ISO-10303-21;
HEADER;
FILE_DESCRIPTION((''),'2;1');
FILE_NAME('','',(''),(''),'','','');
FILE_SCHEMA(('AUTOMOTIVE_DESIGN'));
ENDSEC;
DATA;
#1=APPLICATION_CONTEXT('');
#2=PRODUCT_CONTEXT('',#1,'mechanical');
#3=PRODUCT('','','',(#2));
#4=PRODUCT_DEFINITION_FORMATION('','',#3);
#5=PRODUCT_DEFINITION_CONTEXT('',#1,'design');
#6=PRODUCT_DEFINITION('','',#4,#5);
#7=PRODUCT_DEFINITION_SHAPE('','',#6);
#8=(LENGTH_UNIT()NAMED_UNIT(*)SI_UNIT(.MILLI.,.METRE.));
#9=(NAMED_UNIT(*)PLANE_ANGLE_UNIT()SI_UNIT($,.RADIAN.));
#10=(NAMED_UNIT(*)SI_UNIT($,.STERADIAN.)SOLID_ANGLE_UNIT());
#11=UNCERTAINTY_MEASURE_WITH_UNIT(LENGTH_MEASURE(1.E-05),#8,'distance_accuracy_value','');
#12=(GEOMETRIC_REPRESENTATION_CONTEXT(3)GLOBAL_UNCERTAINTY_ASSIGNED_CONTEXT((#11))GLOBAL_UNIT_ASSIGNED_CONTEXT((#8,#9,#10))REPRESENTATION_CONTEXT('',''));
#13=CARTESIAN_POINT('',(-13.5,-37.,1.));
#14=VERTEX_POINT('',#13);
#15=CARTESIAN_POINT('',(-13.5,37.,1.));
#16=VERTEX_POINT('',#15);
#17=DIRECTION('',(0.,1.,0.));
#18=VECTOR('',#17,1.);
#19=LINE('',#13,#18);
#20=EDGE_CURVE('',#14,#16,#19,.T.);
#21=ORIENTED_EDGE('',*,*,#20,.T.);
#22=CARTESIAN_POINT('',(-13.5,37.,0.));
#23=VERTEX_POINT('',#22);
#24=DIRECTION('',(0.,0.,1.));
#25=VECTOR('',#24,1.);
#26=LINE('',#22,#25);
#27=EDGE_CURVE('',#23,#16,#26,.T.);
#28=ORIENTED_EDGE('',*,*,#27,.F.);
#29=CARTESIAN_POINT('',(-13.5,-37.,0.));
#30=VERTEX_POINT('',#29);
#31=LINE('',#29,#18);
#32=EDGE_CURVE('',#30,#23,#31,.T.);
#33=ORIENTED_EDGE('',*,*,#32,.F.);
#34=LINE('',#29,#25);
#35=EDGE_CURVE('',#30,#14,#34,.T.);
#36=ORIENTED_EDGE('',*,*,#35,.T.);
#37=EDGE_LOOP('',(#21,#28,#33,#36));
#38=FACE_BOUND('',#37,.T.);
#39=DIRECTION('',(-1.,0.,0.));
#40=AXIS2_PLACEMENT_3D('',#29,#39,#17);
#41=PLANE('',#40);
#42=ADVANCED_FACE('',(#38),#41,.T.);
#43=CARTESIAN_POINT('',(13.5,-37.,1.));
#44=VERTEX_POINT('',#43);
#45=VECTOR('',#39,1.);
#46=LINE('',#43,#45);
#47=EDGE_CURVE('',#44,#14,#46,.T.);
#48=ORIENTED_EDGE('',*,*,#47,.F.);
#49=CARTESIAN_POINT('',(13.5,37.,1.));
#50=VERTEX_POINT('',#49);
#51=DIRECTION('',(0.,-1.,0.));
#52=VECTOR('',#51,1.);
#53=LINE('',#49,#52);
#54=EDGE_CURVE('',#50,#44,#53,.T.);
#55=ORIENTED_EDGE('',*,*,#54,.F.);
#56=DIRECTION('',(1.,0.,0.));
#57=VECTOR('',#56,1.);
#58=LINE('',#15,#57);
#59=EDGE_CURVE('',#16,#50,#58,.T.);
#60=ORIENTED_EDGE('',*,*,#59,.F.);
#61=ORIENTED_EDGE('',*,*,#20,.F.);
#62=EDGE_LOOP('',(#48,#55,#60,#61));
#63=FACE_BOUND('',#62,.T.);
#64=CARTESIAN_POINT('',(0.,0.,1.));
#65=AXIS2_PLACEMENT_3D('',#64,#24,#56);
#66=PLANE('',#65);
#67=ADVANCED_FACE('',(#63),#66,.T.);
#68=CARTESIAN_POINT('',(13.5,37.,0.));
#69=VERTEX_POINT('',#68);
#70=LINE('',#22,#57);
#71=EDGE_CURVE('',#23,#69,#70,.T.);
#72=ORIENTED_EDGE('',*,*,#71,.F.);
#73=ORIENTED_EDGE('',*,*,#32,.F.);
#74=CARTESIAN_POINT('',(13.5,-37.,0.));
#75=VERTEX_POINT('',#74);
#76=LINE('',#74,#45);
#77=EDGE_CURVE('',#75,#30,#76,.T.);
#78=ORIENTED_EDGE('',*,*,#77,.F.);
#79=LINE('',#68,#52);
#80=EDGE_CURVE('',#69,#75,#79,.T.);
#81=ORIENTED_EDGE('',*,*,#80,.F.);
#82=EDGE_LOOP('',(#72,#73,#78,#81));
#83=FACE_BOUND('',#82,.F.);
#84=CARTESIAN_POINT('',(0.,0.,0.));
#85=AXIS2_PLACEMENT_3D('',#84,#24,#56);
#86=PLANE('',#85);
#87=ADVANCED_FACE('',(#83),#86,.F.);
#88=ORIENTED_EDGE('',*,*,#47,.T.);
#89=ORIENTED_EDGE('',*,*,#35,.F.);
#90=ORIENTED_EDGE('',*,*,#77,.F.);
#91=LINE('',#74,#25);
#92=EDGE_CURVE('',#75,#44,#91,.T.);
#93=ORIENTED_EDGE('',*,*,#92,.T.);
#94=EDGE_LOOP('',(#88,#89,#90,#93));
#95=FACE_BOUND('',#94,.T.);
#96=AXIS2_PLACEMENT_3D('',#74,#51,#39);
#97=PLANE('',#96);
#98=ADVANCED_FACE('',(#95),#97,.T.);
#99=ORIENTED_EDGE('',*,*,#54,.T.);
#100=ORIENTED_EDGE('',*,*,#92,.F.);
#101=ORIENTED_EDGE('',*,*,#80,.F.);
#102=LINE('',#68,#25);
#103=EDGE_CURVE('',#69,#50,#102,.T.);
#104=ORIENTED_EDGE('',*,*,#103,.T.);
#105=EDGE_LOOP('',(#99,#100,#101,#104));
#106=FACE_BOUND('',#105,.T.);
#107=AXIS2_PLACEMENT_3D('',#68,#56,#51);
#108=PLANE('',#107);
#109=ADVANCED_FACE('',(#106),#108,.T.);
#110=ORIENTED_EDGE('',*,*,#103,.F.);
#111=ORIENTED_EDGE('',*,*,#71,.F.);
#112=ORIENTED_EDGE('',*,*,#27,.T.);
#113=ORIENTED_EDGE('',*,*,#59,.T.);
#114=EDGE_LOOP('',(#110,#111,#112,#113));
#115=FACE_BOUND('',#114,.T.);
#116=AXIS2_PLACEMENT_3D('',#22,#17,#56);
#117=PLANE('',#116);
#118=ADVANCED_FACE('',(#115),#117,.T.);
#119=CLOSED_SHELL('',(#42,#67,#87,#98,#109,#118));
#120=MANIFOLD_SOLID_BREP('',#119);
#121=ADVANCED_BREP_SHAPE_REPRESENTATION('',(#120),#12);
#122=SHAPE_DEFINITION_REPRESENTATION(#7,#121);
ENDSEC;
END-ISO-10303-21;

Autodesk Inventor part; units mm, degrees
ref_plane "YZ Plane" through (0, 0, 0) normal (1, 0, 0) x (0, 1, 0)
ref_plane "XZ Plane" through (0, 0, 0) normal (0, 1, 0) x (-1, 0, 0)
ref_plane "XY Plane" through (0, 0, 0) normal (0, 0, 1) x (1, 0, 0)
sketch "Skizze1" plane through (0, 0, 0) normal (0, 0, 1) x (1, 0, 0)
  line L0 (13.5, -37) -> (-13.5, -37)
  line L1 (-13.5, -37) -> (-13.5, 37)
  line L2 (-13.5, 37) -> (13.5, 37)
  line L3 (13.5, 37) -> (13.5, -37)
  line L4 (13.5, -37) -> (-13.5, 37) construction
  line L5 (-13.5, -37) -> (13.5, 37) construction
  point P0 (0, 0)
  dimension "d0" = 27
  dimension "d1" = 74
extrude "Extrusion1" add sketch "Skizze1" along normal blind 1
properties part number "00_Sample_Doubleslit"
